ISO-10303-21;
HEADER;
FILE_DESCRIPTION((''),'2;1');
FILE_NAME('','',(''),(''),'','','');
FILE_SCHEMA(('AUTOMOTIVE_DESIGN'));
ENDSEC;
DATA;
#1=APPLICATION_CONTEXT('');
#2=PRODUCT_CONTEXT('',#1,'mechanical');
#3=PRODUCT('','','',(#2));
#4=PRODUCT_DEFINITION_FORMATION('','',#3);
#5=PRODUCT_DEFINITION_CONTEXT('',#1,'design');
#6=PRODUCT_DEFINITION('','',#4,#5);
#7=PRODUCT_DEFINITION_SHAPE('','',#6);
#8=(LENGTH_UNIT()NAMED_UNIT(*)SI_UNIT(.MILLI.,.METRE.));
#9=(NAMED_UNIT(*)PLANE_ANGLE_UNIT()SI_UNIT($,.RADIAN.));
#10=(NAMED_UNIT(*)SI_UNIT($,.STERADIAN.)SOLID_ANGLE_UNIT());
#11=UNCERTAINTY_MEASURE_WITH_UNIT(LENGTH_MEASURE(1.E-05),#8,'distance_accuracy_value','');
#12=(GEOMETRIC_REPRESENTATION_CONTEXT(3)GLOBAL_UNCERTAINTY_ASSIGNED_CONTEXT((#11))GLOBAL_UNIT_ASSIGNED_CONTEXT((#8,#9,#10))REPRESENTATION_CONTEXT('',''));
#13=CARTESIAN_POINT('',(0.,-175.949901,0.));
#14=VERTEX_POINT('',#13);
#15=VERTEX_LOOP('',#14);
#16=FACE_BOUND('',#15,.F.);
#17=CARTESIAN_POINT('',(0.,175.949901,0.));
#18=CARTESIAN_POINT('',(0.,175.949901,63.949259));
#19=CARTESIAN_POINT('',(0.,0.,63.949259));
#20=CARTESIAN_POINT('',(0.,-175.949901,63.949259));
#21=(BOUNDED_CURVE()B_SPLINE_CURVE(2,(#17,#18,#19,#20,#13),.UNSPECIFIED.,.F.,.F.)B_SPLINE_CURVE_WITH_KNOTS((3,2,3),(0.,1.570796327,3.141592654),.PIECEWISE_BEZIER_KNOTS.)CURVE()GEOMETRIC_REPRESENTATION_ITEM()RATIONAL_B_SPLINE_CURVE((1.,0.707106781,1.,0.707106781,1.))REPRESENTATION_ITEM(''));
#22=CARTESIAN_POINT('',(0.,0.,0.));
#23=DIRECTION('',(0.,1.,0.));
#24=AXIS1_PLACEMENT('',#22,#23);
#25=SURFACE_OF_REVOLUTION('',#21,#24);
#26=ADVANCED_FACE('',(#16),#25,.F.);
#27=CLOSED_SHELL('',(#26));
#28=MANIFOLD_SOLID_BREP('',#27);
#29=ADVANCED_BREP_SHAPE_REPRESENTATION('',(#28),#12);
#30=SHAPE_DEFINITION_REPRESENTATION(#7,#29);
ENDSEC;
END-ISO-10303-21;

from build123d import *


with BuildPart() as f1:
    # F0 (on Right) → F1 (revolve)
    with BuildSketch(Plane.YZ):
        with BuildLine():
            Line((-175.9499013424, 0), (175.9499013424, 0))
            add(Edge.make_bspline(
                [(175.9499013424, 0), (175.9499013424, 63.9492594241), (0, 63.9492594241), (-175.9499013424, 63.9492594241), (-175.9499013424, 0)],
                knots=[0, 0, 0, 1.5707963268, 1.5707963268, 3.1415926536, 3.1415926536, 3.1415926536], degree=2, weights=[1, 0.7071067812, 1, 0.7071067812, 1]))
        make_face()
    revolve(axis=Axis((0, 0, 0), (0, 1, 0)))


solid = f1.part
